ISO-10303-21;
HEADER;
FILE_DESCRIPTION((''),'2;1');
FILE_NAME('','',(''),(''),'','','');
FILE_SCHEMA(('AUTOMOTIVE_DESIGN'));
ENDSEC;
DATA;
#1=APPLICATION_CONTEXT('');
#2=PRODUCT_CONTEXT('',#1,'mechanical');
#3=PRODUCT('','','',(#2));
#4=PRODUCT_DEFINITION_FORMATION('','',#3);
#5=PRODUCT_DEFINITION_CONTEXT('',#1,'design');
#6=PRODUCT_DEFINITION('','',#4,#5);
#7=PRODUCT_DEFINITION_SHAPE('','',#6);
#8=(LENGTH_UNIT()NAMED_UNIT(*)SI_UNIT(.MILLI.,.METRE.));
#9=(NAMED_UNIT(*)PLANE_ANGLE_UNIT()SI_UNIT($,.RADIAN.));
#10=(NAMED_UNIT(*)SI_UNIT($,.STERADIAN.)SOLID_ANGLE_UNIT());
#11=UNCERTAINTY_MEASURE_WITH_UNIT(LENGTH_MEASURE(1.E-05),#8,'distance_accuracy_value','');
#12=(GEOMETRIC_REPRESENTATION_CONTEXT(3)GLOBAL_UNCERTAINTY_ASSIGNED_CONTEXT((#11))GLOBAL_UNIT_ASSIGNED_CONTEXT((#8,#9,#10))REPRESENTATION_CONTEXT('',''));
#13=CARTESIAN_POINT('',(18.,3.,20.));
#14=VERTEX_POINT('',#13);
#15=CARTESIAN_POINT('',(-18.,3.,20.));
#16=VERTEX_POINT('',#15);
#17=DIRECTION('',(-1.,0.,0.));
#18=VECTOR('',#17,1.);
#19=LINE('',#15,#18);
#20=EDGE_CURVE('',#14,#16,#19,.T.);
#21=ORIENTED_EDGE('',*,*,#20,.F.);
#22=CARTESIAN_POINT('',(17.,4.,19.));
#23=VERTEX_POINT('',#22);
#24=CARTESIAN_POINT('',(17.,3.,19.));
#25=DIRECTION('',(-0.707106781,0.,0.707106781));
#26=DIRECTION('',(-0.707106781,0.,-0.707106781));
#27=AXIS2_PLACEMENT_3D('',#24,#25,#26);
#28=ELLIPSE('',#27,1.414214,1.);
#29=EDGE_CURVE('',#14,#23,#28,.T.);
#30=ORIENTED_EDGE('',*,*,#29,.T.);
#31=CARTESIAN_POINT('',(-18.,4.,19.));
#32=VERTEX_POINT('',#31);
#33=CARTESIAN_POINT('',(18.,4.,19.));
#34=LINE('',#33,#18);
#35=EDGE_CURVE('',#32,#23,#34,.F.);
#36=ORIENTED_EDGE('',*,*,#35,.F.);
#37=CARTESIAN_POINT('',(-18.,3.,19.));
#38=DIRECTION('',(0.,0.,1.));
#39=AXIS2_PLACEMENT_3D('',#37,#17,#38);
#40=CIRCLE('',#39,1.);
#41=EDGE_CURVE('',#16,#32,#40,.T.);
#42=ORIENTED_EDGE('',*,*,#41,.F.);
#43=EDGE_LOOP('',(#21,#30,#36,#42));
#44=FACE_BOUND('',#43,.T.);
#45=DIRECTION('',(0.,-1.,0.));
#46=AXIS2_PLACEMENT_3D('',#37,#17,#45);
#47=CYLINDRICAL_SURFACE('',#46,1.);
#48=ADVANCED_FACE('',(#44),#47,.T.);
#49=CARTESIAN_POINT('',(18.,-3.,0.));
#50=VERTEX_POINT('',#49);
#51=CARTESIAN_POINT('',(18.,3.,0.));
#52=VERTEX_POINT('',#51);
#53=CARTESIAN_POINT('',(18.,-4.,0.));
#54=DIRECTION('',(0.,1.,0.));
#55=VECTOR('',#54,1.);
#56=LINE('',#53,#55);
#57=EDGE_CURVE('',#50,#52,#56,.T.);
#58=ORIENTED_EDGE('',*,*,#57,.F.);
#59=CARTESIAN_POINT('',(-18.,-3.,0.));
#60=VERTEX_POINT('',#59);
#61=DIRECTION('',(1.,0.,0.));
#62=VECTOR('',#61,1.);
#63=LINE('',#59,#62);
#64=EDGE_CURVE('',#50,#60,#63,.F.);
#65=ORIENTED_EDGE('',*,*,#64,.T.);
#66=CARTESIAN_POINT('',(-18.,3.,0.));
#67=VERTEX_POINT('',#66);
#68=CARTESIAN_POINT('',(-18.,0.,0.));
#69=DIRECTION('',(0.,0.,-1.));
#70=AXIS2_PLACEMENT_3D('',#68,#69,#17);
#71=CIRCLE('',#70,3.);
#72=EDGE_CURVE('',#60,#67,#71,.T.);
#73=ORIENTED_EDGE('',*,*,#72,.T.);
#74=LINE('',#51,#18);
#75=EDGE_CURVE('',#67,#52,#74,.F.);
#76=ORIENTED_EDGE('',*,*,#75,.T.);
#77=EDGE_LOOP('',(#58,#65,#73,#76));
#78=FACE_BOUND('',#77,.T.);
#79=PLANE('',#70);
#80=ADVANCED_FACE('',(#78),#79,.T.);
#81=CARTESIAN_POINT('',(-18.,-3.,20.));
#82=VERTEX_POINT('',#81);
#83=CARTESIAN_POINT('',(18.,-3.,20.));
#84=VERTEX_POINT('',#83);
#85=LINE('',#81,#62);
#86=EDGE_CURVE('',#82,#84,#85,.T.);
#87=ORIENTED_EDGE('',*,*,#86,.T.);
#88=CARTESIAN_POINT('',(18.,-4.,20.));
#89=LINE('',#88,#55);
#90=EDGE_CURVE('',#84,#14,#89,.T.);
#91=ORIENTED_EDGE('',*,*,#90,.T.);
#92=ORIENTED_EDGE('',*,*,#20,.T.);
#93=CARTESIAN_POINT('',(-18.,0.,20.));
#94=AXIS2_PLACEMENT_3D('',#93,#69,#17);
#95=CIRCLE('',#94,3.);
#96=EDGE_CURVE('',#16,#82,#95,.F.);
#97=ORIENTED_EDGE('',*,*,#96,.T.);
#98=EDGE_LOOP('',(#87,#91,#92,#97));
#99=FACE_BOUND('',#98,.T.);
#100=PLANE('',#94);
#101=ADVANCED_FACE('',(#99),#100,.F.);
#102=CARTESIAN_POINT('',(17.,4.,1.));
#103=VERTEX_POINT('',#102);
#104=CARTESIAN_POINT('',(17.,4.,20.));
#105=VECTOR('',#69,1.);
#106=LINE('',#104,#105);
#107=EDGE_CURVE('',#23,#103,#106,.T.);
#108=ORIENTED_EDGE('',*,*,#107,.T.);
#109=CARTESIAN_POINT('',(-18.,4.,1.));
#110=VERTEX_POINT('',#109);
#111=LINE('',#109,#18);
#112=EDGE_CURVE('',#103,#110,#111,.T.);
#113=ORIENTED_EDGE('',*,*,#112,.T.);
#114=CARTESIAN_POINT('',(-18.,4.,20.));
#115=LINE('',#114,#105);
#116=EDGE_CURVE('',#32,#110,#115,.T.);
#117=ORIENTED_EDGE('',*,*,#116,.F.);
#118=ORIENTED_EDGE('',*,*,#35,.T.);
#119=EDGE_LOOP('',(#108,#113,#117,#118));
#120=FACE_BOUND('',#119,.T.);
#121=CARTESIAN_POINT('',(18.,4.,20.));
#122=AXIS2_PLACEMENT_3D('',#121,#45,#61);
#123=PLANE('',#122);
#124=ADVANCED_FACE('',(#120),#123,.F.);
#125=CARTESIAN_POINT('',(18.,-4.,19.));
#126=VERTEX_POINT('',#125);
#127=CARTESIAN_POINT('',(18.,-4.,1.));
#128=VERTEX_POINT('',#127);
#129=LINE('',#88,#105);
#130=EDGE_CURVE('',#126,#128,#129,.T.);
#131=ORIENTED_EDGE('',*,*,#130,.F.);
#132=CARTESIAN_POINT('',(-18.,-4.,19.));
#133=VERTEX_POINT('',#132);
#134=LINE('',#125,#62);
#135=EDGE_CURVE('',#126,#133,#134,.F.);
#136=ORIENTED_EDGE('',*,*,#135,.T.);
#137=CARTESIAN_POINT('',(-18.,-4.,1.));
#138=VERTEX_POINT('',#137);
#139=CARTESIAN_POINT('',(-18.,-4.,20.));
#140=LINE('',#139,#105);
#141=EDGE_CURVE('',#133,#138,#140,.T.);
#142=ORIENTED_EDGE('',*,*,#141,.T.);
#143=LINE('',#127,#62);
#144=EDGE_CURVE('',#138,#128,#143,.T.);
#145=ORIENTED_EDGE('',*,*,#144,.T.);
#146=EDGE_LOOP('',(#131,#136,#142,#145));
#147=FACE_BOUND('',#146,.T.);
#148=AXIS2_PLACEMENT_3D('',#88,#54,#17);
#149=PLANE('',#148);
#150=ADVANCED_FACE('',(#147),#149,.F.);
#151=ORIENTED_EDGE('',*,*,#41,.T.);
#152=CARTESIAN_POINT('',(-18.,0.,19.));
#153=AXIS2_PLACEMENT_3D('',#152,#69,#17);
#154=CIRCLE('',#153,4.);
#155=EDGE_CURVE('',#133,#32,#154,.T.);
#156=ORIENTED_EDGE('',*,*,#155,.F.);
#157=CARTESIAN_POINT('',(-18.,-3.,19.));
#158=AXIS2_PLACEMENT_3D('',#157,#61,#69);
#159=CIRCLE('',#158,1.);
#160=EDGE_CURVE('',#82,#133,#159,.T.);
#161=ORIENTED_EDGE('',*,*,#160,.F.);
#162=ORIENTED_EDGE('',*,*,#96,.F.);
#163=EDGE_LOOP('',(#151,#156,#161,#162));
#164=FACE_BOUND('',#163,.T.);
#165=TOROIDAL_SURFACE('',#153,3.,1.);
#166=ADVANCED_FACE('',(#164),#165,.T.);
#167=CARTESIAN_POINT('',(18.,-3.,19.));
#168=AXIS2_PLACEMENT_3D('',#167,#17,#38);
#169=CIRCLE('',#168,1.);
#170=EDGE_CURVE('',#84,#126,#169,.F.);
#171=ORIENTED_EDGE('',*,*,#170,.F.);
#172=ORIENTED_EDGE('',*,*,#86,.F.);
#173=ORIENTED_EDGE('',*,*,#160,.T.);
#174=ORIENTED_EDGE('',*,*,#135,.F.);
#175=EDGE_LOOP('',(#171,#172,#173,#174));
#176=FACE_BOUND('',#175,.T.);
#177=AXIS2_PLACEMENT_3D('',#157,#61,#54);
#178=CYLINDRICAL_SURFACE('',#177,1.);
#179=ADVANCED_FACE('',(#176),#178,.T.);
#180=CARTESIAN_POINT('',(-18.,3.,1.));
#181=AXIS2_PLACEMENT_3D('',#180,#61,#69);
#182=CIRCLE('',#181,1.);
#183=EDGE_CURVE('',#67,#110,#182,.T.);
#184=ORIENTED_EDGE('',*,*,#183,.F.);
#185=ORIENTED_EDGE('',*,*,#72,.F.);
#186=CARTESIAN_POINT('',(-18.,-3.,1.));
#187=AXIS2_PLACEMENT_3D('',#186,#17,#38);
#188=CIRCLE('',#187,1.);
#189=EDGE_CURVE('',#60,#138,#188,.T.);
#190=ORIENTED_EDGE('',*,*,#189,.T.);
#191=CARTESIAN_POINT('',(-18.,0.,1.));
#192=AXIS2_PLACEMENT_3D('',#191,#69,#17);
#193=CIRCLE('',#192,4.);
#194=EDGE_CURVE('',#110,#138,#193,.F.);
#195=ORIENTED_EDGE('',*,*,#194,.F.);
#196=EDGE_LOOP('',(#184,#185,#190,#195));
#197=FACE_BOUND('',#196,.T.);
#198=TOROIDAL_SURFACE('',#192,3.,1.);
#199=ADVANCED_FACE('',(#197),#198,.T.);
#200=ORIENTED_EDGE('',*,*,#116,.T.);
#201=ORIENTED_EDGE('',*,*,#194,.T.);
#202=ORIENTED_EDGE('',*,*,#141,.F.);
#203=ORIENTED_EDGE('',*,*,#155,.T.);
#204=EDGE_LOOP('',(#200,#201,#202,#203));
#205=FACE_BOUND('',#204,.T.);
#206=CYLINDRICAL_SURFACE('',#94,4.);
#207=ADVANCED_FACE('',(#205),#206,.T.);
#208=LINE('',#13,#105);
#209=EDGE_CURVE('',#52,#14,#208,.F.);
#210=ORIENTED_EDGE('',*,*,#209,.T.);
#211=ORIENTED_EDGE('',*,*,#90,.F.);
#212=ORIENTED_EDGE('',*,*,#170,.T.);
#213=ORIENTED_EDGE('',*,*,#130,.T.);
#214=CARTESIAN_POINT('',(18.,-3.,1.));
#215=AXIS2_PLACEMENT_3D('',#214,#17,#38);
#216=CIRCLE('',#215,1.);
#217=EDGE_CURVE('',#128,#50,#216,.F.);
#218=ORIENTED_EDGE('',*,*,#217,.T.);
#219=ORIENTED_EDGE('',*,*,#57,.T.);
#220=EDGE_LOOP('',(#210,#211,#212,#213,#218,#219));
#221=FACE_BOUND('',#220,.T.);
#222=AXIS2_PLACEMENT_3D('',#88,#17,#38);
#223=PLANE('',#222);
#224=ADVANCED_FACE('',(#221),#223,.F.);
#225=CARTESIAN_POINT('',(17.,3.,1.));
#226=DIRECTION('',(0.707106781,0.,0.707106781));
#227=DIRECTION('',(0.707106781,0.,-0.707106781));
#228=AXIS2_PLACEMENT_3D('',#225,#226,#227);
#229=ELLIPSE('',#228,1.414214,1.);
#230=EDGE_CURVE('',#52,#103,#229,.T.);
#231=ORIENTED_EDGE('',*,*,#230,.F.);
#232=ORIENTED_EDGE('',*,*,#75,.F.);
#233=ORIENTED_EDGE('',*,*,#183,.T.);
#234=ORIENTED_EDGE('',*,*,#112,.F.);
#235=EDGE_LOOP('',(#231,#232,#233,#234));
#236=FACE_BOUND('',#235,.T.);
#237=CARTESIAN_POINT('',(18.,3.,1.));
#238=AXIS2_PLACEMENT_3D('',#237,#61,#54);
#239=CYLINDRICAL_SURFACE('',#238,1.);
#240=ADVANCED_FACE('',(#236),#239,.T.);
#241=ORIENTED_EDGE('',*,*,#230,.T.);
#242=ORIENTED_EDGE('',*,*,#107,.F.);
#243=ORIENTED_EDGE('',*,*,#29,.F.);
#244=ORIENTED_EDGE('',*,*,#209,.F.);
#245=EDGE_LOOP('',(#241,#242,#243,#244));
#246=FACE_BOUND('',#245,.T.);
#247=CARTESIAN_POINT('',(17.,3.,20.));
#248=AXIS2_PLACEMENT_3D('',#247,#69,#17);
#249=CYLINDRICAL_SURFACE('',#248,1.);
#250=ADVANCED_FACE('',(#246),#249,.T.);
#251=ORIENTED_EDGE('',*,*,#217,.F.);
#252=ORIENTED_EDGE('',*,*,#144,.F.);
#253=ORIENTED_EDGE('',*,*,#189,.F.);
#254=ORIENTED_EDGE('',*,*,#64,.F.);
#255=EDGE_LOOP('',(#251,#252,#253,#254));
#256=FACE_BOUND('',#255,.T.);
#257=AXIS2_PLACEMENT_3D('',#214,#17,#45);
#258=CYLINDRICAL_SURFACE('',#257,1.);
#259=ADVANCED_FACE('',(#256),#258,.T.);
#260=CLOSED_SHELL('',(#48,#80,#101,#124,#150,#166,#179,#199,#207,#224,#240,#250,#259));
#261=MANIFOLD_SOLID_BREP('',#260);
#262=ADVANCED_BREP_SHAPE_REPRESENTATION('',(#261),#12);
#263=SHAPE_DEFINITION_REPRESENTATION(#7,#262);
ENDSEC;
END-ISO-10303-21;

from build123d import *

# Parameters (mm, degrees)
EXTRUDE_1_DEPTH = 20
FILLET_1_R      = 1


with BuildPart() as part:
    # Эскиз1 → Бобышка-Вытянуть1 (new body)
    with BuildSketch(Plane.XY):
        with BuildLine():
            Line((18, -4), (-18, -4))
            ThreePointArc((-18, -4), (-22, 0), (-18, 4))
            Line((-18, 4), (18, 4))
            Line((18, 4), (18, -4))
        make_face()
    extrude(amount=EXTRUDE_1_DEPTH)

    # Скругление1
    fillet_1_edges = [part.edges().sort_by_distance(p)[0] for p in [
        (0, 4, 20),
        (-22, 0, 20),
        (0, 4, 0),
        (0, -4, 0),
        (-22, 0, 0),
        (18, 4, 10),
        (0, -4, 20),
    ]]
    fillet(fillet_1_edges, radius=FILLET_1_R)


solid = part.part
